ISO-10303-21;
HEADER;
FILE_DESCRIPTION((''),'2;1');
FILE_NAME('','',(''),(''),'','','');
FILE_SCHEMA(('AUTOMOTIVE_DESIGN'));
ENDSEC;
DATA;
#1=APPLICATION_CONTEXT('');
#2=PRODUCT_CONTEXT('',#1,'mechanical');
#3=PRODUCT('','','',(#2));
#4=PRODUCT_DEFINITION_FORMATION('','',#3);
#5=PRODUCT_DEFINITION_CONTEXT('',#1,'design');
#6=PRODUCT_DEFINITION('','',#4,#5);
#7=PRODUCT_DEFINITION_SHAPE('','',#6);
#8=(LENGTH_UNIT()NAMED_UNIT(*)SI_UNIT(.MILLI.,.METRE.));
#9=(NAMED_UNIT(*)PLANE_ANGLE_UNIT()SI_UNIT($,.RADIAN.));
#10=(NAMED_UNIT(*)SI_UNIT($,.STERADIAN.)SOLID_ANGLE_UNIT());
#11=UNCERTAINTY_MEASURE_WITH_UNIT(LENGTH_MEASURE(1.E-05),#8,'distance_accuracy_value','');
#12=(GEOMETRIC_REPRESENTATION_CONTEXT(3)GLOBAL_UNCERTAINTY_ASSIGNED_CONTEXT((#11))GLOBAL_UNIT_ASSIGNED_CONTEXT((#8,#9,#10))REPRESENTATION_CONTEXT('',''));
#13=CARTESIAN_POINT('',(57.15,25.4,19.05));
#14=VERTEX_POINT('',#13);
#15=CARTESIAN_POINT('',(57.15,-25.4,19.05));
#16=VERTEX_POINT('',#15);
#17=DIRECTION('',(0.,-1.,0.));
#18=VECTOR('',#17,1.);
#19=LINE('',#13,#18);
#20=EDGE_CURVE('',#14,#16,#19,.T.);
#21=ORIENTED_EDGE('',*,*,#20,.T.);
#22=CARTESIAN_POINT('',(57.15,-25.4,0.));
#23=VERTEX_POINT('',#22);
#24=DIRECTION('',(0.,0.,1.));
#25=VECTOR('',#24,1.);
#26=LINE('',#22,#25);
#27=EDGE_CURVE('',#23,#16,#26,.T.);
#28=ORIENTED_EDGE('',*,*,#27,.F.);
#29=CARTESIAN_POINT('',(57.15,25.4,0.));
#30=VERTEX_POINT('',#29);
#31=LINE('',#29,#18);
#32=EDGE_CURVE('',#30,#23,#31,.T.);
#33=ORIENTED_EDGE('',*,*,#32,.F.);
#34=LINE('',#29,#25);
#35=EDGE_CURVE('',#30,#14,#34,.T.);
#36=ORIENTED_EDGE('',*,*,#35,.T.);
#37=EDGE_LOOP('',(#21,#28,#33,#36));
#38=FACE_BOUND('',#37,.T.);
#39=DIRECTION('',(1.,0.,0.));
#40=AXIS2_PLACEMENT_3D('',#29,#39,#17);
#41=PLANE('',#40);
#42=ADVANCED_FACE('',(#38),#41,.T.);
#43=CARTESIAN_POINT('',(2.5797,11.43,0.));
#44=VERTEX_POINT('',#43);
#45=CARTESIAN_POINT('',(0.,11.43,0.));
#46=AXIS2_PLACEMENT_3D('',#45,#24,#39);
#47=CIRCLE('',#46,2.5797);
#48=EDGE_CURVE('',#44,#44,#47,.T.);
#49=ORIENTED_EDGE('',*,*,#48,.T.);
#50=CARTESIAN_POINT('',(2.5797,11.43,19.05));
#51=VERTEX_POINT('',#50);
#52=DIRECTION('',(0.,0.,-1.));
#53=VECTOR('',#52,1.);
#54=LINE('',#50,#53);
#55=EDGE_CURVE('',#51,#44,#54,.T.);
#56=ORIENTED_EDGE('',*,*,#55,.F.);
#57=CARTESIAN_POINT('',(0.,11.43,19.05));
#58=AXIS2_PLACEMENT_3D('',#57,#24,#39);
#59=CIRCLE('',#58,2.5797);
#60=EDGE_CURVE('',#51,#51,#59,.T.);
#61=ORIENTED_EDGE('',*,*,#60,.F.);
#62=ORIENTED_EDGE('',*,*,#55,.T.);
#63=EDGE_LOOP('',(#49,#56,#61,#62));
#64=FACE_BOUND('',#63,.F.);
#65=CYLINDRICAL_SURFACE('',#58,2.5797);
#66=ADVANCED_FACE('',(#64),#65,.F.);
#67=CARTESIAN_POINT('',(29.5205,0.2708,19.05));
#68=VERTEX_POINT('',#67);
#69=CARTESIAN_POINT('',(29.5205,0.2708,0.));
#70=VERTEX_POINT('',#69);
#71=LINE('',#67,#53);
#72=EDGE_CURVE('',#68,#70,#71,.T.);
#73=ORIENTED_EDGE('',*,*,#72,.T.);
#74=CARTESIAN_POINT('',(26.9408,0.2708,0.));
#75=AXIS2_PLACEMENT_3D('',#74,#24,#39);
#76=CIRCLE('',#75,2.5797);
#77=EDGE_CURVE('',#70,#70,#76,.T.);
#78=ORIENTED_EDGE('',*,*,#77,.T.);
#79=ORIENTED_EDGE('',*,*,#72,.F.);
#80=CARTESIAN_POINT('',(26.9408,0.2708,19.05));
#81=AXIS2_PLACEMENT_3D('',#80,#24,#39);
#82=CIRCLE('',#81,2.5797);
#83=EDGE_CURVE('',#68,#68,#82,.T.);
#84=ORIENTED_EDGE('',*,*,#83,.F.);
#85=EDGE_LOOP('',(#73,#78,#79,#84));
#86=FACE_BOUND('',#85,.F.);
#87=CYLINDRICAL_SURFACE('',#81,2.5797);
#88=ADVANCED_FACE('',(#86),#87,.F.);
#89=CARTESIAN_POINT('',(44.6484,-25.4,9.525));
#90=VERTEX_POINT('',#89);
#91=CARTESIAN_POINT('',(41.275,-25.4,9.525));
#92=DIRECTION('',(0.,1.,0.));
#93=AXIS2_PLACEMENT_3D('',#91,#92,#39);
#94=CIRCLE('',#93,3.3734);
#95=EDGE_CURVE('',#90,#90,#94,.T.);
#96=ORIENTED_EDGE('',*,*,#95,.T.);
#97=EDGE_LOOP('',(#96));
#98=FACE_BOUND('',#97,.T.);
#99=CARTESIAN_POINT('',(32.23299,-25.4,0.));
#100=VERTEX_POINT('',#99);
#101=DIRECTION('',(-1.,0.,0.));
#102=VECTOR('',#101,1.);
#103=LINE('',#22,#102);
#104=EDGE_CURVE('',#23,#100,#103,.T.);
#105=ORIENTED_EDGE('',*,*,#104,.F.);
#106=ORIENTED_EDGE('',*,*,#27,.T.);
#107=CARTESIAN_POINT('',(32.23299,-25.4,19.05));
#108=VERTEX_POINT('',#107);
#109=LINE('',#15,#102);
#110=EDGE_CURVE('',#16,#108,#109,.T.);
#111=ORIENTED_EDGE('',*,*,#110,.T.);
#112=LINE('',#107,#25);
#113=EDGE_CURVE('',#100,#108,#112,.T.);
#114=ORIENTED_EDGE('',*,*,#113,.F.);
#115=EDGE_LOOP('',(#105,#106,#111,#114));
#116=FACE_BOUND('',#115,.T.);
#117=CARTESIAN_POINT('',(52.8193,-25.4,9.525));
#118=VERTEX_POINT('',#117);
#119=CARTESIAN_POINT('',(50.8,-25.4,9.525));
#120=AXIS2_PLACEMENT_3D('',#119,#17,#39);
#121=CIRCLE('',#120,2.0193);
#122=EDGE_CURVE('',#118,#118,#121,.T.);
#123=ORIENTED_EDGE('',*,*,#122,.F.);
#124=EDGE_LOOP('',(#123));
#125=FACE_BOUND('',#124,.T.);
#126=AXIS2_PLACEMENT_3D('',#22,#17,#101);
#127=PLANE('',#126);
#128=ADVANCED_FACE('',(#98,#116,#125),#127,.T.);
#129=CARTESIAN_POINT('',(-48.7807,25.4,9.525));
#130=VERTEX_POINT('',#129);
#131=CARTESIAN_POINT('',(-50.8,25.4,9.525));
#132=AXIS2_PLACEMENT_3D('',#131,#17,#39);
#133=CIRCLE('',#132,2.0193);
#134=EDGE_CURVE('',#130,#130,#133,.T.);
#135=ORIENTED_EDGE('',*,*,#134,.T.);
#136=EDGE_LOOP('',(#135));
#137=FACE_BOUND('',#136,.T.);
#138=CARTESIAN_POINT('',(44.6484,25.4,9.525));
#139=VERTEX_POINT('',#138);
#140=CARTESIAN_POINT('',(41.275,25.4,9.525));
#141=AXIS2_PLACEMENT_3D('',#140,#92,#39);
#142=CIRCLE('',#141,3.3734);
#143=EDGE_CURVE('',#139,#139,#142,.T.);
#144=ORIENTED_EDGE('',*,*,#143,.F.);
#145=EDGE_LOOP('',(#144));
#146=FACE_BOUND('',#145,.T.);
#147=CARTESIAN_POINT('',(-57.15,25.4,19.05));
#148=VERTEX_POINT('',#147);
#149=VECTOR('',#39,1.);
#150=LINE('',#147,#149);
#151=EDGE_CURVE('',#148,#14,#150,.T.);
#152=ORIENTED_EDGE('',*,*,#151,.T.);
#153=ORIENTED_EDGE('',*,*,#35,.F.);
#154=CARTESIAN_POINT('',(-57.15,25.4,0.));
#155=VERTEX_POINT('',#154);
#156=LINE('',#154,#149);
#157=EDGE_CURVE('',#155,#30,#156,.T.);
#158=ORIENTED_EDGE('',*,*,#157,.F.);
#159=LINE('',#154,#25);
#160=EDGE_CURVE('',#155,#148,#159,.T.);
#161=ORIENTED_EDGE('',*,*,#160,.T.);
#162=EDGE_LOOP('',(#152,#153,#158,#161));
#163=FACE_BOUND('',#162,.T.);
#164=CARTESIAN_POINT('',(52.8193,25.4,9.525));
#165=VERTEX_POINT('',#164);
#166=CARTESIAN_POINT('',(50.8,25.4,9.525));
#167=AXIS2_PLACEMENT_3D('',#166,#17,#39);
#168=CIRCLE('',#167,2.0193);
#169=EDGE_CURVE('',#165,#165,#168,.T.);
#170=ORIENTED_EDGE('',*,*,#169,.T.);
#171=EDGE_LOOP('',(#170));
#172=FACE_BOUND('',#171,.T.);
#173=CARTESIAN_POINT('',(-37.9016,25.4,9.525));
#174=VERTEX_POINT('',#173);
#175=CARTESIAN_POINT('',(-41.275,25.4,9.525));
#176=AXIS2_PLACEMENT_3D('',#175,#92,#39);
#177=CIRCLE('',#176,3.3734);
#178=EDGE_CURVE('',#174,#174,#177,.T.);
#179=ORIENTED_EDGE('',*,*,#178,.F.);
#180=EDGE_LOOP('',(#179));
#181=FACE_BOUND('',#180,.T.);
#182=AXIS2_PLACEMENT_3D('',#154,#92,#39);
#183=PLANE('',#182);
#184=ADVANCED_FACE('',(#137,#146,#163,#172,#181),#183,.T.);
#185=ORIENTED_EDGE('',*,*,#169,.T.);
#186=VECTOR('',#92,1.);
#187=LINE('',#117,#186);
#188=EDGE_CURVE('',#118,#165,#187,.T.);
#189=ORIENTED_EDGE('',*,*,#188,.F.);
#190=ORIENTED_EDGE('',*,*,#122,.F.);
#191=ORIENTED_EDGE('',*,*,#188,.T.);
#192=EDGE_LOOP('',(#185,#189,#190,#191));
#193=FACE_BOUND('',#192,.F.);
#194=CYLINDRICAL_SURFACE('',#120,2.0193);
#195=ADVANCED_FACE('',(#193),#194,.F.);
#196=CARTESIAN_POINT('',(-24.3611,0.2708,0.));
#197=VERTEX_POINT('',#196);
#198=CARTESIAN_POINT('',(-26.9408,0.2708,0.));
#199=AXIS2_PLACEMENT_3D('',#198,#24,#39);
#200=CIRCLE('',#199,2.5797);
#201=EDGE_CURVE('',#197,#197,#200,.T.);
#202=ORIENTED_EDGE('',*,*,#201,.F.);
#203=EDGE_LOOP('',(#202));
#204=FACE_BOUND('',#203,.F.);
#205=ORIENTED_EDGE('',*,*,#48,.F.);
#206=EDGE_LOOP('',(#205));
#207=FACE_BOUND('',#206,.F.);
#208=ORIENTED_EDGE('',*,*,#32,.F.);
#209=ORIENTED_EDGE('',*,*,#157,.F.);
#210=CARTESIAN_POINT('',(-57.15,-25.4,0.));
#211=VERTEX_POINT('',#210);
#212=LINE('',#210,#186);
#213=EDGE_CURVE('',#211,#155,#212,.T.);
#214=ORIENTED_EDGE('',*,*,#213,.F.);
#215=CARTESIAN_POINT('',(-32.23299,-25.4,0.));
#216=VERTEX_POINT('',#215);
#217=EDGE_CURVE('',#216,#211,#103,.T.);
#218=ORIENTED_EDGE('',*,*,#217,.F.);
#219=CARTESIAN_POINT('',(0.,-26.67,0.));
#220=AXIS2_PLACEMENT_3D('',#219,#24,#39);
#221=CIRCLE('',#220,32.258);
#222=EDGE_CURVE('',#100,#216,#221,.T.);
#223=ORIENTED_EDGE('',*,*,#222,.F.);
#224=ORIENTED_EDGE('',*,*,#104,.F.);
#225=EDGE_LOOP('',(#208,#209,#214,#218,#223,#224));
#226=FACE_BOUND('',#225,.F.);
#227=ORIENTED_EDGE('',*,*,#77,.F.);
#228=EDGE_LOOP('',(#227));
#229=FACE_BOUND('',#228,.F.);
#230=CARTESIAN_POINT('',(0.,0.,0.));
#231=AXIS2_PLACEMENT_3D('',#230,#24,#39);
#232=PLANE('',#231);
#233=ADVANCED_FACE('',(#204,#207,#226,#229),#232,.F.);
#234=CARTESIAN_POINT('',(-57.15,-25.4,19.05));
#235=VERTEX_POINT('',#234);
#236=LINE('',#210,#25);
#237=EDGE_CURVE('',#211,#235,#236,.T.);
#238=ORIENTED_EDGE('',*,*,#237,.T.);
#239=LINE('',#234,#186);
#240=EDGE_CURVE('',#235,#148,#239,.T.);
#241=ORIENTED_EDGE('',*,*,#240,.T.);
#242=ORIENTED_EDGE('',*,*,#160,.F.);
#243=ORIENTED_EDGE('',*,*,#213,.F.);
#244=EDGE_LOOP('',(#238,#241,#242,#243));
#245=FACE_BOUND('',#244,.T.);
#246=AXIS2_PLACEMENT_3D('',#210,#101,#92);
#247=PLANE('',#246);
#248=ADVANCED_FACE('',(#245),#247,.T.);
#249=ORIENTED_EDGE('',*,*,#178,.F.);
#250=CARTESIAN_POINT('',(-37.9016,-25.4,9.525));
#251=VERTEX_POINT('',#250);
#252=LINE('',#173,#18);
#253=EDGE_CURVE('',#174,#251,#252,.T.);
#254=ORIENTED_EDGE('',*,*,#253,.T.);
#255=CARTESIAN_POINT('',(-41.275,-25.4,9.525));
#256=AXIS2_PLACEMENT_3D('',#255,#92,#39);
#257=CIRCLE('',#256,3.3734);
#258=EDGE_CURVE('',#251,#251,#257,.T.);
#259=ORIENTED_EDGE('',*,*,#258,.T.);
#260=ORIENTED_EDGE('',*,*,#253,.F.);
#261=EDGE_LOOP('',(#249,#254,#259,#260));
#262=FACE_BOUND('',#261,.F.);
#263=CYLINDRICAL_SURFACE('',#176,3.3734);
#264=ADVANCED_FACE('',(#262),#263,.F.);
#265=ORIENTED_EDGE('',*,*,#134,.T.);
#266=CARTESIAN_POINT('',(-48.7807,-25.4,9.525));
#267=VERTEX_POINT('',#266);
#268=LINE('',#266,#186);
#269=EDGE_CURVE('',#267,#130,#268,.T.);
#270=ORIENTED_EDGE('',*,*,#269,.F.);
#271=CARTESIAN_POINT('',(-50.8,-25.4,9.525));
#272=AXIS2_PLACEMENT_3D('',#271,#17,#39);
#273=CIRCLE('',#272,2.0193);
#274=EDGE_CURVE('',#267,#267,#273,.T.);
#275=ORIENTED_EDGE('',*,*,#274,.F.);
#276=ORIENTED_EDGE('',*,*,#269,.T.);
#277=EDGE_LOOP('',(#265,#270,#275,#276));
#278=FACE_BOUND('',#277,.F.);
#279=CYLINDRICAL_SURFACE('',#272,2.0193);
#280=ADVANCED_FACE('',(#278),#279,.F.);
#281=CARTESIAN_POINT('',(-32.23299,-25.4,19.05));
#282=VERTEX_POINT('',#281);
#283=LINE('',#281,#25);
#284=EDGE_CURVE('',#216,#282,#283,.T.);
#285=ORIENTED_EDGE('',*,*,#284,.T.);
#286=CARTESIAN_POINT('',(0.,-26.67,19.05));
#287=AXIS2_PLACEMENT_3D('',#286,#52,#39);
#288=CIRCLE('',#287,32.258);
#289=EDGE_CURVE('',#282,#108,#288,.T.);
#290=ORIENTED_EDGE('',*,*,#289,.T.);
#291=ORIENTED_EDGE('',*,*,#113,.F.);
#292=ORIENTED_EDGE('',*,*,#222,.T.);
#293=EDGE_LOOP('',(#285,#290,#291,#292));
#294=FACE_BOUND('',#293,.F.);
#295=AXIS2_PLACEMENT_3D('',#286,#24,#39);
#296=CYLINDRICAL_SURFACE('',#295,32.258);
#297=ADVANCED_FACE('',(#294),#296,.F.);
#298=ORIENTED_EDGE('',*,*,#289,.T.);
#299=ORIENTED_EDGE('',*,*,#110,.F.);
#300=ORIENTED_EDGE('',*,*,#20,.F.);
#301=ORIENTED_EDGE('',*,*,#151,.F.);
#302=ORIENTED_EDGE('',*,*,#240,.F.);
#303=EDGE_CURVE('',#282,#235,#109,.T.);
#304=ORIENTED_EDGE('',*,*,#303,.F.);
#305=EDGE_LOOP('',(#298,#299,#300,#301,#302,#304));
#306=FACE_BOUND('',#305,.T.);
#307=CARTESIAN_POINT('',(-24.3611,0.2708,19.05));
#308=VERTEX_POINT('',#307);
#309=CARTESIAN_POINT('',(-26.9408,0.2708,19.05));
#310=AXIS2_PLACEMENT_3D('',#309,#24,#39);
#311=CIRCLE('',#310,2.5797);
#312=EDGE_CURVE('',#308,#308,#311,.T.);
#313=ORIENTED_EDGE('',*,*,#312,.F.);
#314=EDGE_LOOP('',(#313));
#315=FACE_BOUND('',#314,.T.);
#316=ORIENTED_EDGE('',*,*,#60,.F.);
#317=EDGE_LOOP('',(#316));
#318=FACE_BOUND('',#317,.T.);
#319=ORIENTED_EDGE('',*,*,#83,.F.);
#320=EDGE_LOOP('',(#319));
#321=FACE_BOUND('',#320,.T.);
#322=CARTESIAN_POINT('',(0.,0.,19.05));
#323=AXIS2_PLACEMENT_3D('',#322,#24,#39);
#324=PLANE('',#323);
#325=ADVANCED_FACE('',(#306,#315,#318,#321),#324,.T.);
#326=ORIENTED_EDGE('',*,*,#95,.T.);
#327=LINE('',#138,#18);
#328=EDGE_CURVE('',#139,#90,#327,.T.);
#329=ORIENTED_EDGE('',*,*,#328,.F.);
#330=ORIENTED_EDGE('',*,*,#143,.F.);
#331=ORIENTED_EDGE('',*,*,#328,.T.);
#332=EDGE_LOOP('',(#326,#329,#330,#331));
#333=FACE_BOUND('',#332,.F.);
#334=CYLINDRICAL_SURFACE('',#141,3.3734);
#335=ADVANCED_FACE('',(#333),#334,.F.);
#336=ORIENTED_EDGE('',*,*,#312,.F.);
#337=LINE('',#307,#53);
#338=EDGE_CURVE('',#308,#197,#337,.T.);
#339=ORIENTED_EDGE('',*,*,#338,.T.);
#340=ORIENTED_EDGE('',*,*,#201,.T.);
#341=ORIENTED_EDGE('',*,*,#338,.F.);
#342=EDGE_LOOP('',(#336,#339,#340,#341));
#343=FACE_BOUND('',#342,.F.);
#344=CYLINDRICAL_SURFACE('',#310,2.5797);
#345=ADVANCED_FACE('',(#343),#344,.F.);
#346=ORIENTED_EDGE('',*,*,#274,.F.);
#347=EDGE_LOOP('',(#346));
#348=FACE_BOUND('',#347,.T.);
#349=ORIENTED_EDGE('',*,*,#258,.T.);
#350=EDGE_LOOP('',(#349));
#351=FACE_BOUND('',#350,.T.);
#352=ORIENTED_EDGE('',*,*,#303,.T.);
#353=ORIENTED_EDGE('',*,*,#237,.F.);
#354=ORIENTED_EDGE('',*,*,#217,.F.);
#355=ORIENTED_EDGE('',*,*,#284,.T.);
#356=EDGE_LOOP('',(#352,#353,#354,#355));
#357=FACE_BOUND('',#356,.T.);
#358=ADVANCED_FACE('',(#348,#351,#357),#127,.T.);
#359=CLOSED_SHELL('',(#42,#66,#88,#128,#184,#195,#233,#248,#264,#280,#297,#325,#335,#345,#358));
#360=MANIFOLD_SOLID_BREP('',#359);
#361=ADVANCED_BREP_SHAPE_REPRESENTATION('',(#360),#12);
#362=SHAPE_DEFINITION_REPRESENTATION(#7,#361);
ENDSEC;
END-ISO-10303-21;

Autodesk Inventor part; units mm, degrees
ref_plane "YZ Plane" through (0, 0, 0) normal (1, 0, 0) x (0, 1, 0)
ref_plane "XZ Plane" through (0, 0, 0) normal (0, 1, 0) x (-1, 0, 0)
ref_plane "XY Plane" through (0, 0, 0) normal (0, 0, 1) x (1, 0, 0)
sketch "Sketch1" plane through (0, 0, 0) normal (0, 0, 1) x (1, 0, 0)
  line L0 (57.15, -25.4) -> (-57.15, -25.4)
  line L1 (-57.15, -25.4) -> (-57.15, 25.4)
  line L2 (-57.15, 25.4) -> (57.15, 25.4)
  line L3 (57.15, 25.4) -> (57.15, -25.4)
  line L4 (57.15, -25.4) -> (-57.15, 25.4) construction
  line L5 (-57.15, -25.4) -> (57.15, 25.4) construction
  point P0 (0, 0)
  point P1 (0, 0)
  point P2 (0, 0)
  dimension "d0" = 114.3
  dimension "d1" = 50.8
extrude "Extrusion1" add sketch "Sketch1" along normal blind 19.05
sketch "Sketch2" plane through (0, 0, 19.05) normal (0, 0, 1) x (1, 0, 0)
  circle A0 centre (0, -26.67) radius 32.258
  line L0 (-57.15, -25.4) -> (57.15, -25.4) projected
  line L1 (-57.15, 25.4) -> (-57.15, -25.4) projected
  point P0 (0, 0)
  dimension "d4" = 64.516
  dimension "d6" = 1.27
  dimension "d48" = 57.15
extrude "Extrusion2" cut sketch "Sketch2" against normal through all
sketch "Sketch4" plane through (-57.15, 25.4, 0) normal (0, 1, 0) x (1, 0, 0)
  circle A0 centre (15.875, -9.525) radius 3.3734
  circle A1 centre (98.425, -9.525) radius 3.3734
  line L0 (114.3, 0) -> (0, 0) projected
  line L1 (57.15, -22.86) -> (57.15, 3.81) projected
  dimension "d27" = 6.7469
  dimension "d28" = 9.525
  dimension "d49" = 41.275
  dimension "d50" = 41.275
extrude "Extrusion4" cut sketch "Sketch4" against normal through all
sketch "Sketch5" plane through (-57.15, -25.4, 0) normal (0, -1, 0) x (1, 0, 0)
  circle A0 centre (6.35, 9.525) radius 2.0193
  circle A1 centre (107.95, 9.525) radius 2.0193
  line L0 (0, 0) -> (24.917, 0) projected
  line L1 (57.15, 22.86) -> (57.15, -3.81) projected
  dimension "d33" = 9.525
  dimension "d34" = 4.0386
  dimension "d51" = 50.8
  dimension "d52" = 50.8
extrude "Extrusion5" cut sketch "Sketch5" against normal through all
sketch "Sketch6" plane through (0, 0, 19.05) normal (0, 0, 1) x (1, 0, 0)
  circle A0 centre (-26.9408, 0.2708) radius 2.5797
  arc A1 (32.233, -25.4) -> (-32.233, -25.4) centre (0, -26.67) ccw projected
  circle A2 centre (0, 11.43) radius 2.5797
  circle A3 centre (26.9408, 0.2708) radius 2.5797
  line L0 (0, -26.67) -> (0, -14.487)
  dimension "d39" = 38.1
  dimension "d40" = 5.1594
  dimension "d44" = 90
  dimension "d53" = 45
extrude "Extrusion6" cut sketch "Sketch6" against normal through all
equation "\"d50\" = d49"
equation "\"d52\" = d51"
properties part number "ShooterSeperableClampA"
